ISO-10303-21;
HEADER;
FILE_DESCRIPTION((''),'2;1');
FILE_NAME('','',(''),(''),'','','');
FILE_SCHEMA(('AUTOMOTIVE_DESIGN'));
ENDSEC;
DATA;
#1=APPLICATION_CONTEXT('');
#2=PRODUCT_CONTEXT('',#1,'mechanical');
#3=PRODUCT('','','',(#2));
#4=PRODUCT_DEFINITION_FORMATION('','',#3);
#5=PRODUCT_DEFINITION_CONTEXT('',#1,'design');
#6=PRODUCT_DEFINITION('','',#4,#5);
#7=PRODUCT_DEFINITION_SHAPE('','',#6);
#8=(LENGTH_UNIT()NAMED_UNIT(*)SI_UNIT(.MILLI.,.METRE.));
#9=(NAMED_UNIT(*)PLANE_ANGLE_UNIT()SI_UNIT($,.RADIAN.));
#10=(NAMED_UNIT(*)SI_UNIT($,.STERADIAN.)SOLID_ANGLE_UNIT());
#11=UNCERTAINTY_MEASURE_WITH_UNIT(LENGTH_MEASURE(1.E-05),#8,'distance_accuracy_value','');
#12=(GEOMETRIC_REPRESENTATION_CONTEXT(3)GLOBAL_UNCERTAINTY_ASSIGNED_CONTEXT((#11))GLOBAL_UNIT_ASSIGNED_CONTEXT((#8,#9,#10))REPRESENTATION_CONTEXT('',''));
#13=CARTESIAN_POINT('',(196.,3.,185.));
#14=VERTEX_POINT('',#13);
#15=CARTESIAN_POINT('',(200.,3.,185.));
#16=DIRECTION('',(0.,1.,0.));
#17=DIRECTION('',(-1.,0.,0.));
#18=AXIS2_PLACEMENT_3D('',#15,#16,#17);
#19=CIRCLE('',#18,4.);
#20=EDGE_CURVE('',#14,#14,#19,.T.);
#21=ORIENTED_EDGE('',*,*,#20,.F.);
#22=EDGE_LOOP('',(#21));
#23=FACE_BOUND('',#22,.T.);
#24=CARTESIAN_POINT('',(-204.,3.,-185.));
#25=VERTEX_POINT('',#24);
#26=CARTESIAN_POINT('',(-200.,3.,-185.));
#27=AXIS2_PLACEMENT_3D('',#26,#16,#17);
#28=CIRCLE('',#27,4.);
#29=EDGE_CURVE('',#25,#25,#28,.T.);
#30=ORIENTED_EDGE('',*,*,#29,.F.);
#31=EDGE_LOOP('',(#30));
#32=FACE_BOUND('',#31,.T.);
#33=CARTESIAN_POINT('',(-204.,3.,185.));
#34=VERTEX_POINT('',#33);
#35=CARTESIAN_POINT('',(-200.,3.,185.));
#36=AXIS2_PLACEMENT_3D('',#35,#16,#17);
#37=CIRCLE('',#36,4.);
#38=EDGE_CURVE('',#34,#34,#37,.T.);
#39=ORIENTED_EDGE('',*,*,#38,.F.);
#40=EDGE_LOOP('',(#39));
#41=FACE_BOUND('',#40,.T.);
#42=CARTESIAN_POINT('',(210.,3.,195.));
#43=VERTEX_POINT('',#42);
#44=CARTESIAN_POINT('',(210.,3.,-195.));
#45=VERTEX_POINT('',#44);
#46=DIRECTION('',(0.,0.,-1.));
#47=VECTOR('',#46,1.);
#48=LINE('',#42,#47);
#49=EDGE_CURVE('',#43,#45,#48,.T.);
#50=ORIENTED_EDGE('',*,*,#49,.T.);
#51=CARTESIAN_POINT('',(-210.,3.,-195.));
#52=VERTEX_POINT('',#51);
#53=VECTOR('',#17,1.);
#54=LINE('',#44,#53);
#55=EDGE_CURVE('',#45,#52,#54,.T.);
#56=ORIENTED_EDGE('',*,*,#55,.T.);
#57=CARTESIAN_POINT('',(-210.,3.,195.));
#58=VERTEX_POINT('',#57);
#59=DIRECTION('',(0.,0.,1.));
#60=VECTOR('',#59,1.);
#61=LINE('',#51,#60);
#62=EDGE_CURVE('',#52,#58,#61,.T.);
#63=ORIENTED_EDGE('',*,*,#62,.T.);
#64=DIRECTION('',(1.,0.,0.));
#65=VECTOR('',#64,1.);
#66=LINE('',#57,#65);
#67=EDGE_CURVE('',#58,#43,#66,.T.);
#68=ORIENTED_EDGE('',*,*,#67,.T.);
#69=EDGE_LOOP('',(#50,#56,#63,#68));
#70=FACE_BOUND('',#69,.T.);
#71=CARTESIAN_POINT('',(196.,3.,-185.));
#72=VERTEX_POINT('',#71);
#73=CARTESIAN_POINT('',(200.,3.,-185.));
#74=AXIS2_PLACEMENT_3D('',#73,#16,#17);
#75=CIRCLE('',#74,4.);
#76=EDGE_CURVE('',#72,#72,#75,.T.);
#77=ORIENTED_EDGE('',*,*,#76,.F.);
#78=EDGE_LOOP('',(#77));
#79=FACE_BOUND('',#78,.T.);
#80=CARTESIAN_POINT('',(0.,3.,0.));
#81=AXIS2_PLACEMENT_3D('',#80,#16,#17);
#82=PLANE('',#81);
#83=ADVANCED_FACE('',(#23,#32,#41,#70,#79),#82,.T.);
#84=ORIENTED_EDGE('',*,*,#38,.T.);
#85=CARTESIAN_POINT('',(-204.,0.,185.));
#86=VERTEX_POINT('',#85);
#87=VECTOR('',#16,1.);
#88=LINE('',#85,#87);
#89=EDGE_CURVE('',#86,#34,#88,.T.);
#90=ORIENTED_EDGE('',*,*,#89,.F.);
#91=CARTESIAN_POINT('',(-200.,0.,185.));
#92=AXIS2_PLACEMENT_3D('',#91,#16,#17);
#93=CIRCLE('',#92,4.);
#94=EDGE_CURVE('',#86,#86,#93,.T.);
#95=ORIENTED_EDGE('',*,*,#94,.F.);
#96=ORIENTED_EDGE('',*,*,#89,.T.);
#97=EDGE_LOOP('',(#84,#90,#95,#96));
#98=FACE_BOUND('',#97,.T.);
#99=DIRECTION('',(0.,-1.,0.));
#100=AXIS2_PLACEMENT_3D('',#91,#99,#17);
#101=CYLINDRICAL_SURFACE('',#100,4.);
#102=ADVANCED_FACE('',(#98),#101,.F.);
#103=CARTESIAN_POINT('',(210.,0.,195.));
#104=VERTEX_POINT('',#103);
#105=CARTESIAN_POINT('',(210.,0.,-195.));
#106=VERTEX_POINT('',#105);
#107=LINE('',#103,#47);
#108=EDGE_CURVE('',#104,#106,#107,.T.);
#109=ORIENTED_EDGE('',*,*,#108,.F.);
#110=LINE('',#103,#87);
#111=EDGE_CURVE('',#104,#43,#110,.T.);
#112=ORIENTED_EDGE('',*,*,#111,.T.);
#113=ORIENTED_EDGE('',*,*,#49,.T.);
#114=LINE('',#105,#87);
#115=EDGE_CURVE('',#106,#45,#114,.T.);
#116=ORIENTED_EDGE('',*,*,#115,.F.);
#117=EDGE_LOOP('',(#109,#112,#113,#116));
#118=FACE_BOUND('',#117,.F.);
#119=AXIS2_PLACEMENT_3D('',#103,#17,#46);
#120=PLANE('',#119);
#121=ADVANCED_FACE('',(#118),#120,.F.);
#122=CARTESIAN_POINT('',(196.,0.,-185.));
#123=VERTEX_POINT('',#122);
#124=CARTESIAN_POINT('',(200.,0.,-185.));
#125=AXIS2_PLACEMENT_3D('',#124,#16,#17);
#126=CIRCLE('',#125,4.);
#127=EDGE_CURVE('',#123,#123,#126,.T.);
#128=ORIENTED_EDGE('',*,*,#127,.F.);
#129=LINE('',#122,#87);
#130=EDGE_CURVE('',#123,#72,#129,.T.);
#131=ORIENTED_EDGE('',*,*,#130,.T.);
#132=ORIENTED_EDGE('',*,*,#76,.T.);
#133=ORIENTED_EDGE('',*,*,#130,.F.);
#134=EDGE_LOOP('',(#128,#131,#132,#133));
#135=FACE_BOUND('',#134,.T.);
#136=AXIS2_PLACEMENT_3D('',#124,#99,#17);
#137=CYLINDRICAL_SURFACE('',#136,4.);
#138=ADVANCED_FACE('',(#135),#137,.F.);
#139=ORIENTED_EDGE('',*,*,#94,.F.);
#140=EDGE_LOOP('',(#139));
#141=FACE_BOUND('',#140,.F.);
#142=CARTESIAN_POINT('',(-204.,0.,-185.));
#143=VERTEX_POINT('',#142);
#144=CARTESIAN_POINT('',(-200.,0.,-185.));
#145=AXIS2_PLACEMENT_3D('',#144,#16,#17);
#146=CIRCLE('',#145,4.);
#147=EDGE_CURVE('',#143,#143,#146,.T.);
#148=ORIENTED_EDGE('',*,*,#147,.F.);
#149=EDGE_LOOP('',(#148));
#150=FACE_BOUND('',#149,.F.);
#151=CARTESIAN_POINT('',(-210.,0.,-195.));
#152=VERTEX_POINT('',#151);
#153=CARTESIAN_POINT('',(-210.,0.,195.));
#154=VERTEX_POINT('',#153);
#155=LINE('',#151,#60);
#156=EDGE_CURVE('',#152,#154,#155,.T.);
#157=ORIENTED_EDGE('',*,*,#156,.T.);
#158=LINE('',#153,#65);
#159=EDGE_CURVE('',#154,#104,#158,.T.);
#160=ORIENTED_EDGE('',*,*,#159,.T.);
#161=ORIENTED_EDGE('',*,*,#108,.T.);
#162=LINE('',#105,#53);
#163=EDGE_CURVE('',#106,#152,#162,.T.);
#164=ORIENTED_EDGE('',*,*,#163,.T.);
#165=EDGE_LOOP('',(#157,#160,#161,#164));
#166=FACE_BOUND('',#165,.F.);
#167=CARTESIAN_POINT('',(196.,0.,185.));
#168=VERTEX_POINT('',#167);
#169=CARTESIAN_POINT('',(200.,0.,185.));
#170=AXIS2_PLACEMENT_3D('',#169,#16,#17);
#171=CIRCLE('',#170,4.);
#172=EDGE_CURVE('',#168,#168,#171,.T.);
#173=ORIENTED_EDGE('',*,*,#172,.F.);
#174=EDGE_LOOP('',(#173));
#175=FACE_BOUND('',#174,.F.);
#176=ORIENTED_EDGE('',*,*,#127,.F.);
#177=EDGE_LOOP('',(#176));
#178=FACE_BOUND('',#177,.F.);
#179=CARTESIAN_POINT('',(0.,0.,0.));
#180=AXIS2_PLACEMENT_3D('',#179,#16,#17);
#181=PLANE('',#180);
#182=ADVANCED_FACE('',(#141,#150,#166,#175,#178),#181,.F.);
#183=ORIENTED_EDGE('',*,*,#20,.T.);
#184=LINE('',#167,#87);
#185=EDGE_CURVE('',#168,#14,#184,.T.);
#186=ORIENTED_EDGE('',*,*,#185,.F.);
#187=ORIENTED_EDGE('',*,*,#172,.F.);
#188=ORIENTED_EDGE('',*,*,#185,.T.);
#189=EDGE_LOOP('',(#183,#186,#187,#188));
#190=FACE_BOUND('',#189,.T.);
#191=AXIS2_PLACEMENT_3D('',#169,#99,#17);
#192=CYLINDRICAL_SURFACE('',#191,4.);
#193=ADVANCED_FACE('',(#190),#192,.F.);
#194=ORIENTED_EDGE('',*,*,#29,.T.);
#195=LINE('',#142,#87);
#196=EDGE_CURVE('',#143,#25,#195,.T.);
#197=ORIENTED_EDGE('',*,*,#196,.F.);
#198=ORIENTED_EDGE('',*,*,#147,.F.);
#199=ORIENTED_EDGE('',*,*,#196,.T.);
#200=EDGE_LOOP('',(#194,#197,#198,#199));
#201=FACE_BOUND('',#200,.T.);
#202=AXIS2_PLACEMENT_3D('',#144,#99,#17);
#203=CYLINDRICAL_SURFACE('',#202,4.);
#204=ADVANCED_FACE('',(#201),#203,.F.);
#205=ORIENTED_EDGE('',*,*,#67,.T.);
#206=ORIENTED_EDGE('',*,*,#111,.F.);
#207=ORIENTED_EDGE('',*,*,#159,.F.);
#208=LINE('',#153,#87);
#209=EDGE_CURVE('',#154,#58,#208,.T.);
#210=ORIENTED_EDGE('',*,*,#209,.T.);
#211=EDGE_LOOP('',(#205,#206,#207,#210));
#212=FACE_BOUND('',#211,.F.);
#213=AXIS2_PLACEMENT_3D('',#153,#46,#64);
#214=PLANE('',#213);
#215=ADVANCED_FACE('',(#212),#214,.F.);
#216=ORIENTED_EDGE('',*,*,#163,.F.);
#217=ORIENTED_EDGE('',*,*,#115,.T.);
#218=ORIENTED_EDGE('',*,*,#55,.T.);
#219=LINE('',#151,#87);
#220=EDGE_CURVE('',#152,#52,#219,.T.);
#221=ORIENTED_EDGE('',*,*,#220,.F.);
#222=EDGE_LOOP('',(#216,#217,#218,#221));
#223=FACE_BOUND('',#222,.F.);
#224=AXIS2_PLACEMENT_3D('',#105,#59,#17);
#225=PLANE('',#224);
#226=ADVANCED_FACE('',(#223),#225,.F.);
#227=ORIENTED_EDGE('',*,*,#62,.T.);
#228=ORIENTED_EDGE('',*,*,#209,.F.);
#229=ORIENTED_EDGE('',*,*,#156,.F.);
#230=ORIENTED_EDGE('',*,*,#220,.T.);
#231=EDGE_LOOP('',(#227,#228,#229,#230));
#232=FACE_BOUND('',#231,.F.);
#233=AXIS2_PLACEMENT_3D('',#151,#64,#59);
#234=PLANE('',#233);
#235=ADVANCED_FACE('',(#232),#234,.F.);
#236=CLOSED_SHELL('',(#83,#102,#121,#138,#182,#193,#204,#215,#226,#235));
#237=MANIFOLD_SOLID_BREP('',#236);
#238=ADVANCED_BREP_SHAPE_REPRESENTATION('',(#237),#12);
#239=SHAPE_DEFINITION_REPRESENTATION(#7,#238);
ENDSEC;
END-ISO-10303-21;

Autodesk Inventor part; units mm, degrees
ref_plane "YZ Plane" through (0, 0, 0) normal (1, 0, 0) x (0, 1, 0)
ref_plane "XZ Plane" through (0, 0, 0) normal (0, 1, 0) x (-1, 0, 0)
ref_plane "XY Plane" through (0, 0, 0) normal (0, 0, 1) x (1, 0, 0)
sketch "Sketch1" plane through (0, 0, 0) normal (0, 1, 0) x (-1, 0, 0)
  line L0 (210, 195) -> (-210, 195)
  line L1 (-210, 195) -> (-210, -195)
  line L2 (-210, -195) -> (210, -195)
  line L3 (210, -195) -> (210, 195)
  line L4 (210, 195) -> (-210, -195) construction
  line L5 (-210, 195) -> (210, -195) construction
  circle A0 centre (200, -185) radius 4
  circle A1 centre (-200, -185) radius 4
  circle A2 centre (-200, 185) radius 4
  circle A3 centre (200, 185) radius 4
  point P0 (0, 0)
  dimension "d0" = 420
  dimension "d1" = 390
  dimension "d3" = 8
  dimension "d4" = 8
  dimension "d5" = 8
  dimension "d6" = 8
extrude "Extrusion1" add sketch "Sketch1" along normal blind 3
properties part number "TapaLateral"
